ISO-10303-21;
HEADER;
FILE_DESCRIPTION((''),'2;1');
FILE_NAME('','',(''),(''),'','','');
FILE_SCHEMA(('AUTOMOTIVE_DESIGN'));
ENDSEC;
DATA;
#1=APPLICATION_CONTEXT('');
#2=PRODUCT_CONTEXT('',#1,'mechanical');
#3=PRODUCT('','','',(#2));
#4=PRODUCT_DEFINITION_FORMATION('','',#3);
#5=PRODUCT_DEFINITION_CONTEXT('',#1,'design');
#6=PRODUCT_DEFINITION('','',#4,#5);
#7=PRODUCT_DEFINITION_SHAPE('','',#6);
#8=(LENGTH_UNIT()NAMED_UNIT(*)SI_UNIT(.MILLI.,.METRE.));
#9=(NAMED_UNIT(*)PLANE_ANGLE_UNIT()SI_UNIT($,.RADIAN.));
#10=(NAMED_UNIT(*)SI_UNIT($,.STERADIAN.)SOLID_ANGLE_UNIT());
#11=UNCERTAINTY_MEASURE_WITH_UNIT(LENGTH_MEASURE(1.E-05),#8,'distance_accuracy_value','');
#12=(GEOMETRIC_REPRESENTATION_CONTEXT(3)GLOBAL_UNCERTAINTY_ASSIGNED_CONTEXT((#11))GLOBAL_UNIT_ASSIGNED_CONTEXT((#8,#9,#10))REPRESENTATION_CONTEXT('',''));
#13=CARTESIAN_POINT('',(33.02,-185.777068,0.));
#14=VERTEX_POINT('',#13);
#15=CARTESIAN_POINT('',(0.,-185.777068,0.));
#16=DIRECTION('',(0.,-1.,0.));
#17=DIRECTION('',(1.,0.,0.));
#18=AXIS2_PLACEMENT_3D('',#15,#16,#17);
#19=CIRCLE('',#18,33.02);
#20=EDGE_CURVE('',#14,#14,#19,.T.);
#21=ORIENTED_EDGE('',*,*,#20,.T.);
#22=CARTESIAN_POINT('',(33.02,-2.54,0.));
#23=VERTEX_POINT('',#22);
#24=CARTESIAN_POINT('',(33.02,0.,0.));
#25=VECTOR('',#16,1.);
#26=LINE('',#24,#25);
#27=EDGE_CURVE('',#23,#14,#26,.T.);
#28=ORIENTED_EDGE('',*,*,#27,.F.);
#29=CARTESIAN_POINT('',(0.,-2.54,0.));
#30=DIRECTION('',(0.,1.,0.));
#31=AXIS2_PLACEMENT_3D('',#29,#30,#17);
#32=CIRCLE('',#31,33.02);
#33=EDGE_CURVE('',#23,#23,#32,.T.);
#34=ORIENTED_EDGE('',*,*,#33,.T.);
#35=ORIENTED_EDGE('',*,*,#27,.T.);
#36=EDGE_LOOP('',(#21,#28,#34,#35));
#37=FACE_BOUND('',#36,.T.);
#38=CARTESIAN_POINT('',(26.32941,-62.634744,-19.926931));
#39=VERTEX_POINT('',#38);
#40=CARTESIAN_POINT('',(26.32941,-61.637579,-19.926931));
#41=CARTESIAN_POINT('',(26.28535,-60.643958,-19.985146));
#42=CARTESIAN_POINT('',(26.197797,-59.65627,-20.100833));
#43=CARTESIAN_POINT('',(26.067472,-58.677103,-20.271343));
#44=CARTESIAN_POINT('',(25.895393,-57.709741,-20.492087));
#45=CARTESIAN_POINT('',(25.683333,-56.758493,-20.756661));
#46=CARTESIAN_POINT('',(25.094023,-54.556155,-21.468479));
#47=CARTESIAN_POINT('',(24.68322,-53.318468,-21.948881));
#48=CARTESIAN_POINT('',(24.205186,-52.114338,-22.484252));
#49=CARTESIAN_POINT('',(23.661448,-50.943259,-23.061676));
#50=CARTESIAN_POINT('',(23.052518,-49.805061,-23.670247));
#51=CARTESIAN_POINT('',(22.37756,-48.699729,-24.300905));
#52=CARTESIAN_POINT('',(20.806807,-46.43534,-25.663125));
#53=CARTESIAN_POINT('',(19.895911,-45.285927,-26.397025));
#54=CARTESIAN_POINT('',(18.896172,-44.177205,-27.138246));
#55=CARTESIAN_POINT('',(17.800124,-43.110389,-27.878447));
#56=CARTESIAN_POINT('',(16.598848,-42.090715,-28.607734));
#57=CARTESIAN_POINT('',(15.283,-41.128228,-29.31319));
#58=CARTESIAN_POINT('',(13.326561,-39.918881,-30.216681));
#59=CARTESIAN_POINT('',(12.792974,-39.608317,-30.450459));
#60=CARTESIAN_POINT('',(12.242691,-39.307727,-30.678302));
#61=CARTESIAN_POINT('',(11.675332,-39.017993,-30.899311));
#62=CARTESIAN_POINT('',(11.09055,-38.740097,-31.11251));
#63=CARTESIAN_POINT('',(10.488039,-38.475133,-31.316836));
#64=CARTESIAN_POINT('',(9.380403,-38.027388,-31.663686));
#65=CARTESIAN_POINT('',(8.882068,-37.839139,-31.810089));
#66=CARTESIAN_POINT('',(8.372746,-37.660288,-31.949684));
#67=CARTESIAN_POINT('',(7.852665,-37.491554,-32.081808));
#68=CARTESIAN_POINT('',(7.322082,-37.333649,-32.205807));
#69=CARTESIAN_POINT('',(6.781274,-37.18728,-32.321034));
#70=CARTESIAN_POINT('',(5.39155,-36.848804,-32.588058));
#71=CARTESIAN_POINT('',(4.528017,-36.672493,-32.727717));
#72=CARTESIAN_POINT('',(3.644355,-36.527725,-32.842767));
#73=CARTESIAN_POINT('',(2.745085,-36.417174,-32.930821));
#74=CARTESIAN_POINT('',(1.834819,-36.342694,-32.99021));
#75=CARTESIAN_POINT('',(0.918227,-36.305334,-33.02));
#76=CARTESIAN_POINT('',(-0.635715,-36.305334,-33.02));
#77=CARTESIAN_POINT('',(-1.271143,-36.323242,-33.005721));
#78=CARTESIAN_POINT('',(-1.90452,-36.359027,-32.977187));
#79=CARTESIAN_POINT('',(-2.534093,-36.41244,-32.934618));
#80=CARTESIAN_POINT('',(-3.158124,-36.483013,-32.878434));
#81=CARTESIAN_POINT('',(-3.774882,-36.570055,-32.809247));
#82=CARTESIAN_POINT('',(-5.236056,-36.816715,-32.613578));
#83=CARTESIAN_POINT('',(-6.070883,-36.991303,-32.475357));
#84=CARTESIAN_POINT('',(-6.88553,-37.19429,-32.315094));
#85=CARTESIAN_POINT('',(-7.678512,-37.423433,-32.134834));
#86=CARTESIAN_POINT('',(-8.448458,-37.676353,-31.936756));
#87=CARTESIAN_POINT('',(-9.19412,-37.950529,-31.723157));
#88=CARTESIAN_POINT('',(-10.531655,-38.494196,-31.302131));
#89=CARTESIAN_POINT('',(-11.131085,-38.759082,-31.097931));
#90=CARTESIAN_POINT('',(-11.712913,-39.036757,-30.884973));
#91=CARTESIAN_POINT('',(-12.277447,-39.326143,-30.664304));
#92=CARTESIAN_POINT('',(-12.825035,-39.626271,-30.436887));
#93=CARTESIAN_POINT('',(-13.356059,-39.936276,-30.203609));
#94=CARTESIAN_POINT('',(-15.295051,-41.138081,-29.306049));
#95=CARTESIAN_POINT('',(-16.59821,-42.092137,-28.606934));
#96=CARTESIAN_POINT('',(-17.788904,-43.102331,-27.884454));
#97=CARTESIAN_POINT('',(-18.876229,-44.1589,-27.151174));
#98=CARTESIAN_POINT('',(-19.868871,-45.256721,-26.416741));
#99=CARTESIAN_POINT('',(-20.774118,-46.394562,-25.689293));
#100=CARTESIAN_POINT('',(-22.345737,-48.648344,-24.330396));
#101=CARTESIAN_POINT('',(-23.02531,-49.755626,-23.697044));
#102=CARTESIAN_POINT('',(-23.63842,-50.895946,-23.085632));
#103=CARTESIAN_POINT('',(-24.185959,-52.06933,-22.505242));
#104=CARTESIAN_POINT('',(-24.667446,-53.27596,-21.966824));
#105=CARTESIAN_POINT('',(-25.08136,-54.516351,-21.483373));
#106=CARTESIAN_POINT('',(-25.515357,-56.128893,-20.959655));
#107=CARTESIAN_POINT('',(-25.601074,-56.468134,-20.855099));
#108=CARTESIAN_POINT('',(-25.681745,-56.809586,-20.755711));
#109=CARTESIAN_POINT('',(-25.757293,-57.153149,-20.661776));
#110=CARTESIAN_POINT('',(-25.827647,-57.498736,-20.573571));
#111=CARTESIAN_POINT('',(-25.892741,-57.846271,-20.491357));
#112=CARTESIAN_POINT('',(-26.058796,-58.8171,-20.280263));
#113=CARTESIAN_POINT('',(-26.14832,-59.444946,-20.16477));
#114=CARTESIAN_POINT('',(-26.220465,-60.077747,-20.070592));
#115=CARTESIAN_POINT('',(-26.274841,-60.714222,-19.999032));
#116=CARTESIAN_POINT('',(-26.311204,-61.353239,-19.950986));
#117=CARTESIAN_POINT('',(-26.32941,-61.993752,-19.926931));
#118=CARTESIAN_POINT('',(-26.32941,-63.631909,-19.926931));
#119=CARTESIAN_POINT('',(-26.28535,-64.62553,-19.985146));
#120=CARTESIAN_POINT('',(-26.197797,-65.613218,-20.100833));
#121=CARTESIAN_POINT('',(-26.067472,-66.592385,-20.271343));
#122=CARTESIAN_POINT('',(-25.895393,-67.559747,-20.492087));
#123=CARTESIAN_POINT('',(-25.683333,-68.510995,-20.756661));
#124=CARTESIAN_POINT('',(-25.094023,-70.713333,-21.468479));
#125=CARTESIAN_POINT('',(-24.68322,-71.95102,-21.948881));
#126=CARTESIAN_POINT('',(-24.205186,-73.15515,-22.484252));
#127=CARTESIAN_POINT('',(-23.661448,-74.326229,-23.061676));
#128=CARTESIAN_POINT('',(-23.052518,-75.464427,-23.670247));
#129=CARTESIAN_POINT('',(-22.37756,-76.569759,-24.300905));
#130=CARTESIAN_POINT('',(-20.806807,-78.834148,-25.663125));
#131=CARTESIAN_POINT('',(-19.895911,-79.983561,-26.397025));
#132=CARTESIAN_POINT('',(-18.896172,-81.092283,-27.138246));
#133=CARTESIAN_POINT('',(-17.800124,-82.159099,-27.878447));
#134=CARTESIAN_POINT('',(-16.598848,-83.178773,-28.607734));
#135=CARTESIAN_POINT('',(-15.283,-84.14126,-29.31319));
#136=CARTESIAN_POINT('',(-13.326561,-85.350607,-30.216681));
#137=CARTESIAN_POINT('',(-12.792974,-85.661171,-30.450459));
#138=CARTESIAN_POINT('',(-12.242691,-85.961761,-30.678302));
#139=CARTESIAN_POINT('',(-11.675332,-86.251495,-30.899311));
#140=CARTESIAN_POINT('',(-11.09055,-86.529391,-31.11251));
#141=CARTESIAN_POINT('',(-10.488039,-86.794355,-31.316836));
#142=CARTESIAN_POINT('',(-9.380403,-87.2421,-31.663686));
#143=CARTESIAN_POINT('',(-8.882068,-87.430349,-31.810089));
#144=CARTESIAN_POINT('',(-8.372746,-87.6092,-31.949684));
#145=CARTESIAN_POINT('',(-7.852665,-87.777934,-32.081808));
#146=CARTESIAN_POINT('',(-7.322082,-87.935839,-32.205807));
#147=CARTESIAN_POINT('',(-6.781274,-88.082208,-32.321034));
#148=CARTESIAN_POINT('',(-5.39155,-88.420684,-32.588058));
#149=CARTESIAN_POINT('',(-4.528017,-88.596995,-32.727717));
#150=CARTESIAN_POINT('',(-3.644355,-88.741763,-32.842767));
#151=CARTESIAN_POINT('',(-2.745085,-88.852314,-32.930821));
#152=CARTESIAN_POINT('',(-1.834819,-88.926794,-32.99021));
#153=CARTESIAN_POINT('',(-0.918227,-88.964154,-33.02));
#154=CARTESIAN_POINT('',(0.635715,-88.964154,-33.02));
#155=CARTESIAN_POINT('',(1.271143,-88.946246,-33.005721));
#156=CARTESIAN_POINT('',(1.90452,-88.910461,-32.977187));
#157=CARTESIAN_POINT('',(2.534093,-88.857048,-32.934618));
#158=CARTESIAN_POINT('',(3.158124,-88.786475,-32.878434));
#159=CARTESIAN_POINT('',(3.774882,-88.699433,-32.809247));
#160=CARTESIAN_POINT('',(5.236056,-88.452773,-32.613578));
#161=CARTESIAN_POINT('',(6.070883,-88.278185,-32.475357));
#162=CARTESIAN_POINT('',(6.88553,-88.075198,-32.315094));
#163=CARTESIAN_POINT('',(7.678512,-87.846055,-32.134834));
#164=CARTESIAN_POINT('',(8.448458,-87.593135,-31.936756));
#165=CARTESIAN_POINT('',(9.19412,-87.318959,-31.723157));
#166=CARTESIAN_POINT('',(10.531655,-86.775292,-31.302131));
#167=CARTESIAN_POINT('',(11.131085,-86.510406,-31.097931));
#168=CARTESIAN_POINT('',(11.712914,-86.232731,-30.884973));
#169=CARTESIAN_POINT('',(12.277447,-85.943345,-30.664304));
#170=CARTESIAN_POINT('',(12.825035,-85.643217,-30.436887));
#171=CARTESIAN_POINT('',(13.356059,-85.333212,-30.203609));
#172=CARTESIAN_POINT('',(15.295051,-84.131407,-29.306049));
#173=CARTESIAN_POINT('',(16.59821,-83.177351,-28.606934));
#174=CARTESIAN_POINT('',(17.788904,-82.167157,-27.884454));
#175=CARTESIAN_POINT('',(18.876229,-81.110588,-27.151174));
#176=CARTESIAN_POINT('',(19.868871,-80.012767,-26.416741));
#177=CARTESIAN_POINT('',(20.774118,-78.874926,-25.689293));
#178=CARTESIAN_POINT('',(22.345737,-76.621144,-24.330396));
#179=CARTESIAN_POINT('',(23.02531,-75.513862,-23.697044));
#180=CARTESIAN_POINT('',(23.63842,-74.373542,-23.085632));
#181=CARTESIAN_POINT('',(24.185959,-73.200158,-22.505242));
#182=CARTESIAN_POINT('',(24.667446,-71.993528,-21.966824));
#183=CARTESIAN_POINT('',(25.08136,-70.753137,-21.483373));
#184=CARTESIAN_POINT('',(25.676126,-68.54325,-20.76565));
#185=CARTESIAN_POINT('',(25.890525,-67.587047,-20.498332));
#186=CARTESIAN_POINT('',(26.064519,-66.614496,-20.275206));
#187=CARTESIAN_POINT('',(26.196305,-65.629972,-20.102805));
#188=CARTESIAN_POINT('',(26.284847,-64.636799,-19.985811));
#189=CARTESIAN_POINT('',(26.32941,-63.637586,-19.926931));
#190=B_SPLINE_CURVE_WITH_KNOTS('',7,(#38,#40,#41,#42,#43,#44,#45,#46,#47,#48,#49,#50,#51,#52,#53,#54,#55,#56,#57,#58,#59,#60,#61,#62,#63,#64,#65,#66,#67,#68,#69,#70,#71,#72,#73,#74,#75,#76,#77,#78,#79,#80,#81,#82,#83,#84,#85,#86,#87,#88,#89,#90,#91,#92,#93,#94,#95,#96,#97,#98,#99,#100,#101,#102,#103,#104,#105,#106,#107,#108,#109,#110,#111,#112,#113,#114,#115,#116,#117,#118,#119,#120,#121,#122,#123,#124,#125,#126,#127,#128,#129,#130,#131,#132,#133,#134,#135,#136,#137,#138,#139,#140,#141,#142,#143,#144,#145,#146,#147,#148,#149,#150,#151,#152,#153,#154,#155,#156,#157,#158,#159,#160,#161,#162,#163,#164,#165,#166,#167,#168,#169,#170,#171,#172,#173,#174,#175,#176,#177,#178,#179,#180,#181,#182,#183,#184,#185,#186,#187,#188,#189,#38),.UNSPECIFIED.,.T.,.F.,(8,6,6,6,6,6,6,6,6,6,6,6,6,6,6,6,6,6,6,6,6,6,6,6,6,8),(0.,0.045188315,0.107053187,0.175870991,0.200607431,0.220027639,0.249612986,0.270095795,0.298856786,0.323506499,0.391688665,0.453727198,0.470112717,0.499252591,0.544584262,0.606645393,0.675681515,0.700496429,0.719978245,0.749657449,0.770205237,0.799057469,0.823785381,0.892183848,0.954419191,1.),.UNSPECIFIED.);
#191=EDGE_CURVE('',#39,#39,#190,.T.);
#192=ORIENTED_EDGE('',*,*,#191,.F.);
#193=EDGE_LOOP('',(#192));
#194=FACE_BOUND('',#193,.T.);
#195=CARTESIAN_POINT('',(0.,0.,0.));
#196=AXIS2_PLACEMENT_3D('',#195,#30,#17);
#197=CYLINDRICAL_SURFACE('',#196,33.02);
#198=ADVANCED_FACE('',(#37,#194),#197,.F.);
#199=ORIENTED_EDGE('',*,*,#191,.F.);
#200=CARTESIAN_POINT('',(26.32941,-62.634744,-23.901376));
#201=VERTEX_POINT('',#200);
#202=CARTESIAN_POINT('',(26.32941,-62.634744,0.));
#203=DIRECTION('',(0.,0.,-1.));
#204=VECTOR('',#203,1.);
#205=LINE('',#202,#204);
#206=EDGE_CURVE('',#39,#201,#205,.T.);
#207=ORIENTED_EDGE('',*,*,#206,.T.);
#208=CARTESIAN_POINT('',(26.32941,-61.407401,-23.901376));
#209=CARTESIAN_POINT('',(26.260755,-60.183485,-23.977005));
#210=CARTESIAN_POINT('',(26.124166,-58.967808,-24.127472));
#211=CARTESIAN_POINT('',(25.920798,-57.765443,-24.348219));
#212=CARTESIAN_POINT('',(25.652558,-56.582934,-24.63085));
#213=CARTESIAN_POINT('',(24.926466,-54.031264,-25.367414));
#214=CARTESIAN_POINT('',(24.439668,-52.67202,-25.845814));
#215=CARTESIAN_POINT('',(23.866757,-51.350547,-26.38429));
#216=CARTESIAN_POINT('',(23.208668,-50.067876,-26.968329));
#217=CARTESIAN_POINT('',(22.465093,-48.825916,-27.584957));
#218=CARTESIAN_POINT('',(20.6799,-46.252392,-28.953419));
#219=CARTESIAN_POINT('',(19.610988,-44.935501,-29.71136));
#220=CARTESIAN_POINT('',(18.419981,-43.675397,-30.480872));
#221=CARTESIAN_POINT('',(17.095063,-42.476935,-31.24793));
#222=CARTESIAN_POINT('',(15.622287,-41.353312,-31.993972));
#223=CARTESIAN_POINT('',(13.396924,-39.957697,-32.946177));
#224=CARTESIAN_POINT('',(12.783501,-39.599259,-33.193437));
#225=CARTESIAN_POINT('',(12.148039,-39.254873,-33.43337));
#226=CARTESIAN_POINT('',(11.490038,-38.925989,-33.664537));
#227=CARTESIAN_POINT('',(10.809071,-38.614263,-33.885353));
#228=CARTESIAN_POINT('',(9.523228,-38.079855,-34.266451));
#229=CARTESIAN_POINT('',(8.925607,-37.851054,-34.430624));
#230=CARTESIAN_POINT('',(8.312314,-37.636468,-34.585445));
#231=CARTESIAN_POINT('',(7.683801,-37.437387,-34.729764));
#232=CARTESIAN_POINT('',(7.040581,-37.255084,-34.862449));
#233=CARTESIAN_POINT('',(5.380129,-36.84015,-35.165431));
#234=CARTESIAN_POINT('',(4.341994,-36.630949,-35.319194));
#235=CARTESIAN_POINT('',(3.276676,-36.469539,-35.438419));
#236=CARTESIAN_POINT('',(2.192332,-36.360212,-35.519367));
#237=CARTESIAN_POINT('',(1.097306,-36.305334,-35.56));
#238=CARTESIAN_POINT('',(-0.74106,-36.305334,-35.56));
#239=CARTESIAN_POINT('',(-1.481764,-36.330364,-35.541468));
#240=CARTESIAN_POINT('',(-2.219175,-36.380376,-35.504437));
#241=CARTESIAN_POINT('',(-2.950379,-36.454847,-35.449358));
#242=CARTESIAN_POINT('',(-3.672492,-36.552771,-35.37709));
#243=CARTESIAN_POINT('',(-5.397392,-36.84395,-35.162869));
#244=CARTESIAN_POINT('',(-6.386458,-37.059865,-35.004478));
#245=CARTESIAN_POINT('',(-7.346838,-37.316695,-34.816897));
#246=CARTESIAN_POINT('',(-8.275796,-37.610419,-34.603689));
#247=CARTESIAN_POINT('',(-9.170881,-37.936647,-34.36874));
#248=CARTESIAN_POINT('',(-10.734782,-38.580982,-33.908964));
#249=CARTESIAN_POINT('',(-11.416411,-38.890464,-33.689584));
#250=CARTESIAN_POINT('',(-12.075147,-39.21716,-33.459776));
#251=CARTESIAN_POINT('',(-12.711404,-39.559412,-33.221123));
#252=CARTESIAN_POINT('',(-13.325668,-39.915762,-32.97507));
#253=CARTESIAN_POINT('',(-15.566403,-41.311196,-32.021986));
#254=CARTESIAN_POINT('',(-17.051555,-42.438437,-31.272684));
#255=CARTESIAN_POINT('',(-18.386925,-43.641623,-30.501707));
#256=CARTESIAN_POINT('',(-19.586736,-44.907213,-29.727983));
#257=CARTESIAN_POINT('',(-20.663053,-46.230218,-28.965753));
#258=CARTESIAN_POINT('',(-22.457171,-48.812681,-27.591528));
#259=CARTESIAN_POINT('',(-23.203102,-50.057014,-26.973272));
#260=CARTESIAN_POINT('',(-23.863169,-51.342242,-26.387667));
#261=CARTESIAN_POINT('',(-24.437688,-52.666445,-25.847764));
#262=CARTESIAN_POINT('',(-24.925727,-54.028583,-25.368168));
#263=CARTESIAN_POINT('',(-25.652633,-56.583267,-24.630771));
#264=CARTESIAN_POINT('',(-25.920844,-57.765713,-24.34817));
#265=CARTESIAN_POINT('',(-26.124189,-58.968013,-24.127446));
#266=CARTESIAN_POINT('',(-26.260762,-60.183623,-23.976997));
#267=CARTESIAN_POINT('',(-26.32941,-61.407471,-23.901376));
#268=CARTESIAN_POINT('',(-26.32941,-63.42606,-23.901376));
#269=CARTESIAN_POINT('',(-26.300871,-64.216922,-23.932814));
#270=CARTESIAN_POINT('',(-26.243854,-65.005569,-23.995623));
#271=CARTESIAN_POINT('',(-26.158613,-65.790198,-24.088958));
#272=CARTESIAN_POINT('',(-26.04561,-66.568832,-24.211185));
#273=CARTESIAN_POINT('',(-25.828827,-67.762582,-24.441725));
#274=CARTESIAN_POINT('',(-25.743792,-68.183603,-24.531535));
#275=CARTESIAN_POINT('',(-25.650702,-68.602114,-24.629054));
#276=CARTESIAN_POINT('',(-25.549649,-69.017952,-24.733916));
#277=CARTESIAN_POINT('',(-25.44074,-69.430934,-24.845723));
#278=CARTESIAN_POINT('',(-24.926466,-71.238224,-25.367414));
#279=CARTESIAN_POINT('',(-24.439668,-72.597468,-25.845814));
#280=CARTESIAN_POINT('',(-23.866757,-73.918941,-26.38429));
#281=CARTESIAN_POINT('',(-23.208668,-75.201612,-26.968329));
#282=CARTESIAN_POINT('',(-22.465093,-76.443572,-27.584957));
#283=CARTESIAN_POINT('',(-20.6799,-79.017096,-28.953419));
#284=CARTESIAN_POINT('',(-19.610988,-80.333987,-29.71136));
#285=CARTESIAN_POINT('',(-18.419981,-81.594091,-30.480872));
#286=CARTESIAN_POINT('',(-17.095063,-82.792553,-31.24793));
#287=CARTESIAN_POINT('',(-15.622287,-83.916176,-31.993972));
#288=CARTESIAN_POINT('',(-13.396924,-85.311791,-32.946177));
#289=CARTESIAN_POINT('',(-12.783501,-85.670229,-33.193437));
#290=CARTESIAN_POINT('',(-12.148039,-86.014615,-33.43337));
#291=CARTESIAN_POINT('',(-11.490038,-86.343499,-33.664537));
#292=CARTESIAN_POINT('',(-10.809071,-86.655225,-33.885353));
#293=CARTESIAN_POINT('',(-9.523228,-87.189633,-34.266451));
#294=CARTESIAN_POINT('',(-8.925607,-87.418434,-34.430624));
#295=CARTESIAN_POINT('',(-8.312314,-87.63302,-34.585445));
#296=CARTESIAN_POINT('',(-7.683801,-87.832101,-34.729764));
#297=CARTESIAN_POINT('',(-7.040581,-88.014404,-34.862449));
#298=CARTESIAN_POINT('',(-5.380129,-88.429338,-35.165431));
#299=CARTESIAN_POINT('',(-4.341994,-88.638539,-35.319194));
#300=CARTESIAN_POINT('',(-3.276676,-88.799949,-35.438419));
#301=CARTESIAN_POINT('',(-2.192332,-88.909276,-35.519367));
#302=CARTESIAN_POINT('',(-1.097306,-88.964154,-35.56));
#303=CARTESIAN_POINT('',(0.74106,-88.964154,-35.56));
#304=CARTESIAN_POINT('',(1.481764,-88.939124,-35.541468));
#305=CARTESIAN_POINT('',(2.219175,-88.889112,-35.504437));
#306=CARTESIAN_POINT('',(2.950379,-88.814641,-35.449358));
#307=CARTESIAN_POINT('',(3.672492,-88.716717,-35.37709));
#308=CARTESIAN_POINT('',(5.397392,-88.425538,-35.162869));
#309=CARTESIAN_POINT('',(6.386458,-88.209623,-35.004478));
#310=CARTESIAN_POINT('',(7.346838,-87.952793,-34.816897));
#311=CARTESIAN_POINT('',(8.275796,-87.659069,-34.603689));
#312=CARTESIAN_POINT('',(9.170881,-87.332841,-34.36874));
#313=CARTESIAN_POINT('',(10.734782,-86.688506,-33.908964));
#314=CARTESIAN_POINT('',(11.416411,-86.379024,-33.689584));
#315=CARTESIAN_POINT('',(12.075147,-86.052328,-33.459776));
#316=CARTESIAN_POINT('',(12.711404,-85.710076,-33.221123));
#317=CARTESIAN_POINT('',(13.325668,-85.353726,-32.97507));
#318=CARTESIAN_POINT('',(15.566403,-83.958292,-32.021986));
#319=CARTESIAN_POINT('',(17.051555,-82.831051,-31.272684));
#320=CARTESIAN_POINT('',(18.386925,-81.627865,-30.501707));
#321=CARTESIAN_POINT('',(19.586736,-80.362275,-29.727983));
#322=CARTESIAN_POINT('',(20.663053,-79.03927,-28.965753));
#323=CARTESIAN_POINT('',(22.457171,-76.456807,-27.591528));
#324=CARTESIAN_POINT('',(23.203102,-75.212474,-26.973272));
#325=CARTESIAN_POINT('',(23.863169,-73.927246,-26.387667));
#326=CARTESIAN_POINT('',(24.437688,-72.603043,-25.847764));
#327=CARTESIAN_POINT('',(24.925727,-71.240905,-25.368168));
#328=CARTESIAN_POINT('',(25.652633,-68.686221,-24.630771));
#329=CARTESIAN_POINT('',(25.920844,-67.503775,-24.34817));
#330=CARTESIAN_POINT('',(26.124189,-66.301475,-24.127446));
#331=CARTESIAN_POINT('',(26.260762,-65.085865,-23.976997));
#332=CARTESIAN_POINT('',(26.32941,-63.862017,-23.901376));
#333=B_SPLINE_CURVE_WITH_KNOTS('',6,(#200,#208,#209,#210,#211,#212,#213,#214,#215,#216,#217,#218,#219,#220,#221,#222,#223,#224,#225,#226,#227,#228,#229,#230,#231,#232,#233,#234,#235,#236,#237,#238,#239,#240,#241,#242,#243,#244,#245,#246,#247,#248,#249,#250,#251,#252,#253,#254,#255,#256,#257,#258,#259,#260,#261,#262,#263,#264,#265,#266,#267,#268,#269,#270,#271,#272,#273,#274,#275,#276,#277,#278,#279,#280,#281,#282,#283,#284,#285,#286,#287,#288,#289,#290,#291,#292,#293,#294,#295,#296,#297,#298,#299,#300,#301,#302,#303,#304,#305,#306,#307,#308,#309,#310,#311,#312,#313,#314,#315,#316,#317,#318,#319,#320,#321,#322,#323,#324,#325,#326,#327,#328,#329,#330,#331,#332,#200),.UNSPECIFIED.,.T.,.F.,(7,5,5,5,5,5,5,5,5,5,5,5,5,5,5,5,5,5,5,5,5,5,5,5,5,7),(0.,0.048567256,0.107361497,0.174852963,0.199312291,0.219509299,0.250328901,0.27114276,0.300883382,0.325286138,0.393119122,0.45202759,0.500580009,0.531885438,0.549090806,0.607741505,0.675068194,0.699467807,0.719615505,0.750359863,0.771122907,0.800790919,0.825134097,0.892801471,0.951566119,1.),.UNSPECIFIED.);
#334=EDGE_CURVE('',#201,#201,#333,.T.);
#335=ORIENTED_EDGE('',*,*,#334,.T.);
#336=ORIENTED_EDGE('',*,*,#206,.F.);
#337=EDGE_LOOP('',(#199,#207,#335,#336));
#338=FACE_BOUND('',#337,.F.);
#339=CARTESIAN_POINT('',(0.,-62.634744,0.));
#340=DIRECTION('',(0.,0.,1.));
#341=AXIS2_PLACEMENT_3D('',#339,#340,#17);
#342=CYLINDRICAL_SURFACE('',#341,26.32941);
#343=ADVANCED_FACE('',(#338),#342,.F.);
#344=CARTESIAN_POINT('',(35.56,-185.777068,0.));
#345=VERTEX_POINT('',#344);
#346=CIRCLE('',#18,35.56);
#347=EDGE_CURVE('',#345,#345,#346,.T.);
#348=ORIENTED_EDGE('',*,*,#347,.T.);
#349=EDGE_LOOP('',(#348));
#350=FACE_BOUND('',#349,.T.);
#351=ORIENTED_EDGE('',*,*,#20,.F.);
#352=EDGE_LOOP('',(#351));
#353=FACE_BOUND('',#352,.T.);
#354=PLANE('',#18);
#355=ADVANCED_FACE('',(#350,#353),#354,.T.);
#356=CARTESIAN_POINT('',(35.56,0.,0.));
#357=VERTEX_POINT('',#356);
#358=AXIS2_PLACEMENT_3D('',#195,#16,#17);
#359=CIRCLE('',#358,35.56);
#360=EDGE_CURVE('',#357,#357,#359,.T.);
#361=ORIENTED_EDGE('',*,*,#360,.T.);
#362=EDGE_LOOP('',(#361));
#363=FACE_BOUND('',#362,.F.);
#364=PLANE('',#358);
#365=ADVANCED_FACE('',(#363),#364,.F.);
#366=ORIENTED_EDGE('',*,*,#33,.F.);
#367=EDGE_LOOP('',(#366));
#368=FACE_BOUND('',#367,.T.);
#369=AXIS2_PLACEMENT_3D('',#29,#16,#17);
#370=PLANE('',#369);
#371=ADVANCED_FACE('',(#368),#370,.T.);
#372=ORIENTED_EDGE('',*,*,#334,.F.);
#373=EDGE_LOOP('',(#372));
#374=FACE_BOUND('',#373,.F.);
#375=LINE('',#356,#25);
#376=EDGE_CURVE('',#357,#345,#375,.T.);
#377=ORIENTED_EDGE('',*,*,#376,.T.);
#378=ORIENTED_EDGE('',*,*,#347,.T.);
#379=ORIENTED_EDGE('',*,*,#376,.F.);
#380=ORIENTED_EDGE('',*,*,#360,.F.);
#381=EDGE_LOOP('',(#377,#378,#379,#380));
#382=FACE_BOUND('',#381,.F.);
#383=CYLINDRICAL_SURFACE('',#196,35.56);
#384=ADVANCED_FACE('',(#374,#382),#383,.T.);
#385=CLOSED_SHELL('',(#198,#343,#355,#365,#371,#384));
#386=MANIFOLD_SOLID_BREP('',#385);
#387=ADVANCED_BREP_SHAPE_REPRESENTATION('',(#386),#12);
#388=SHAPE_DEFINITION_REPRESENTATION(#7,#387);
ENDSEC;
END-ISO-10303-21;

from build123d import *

# Parameters (mm, degrees)
F0_R     = 35.56
F1_DEPTH = 185.777068
F2_T     = -2.54
F3_R     = 26.32941
F4_DEPTH = 101.879455


with BuildPart() as f1:
    # F0 (on Front) → F1 (new body)
    with BuildSketch(Plane.XZ):
        Circle(F0_R)
    extrude(amount=F1_DEPTH)

    # F2
    f2_openings = [f1.faces().sort_by_distance(p)[0] for p in [
        (0, -185.777068, 0),
    ]]
    offset(amount=F2_T, openings=f2_openings)

    # F3 (on Top) → F4 (cut)
    with BuildSketch(Plane.XY):
        with Locations((0, -62.634744)):
            Circle(F3_R)
    extrude(amount=-F4_DEPTH, mode=Mode.SUBTRACT)


solid = f1.part
